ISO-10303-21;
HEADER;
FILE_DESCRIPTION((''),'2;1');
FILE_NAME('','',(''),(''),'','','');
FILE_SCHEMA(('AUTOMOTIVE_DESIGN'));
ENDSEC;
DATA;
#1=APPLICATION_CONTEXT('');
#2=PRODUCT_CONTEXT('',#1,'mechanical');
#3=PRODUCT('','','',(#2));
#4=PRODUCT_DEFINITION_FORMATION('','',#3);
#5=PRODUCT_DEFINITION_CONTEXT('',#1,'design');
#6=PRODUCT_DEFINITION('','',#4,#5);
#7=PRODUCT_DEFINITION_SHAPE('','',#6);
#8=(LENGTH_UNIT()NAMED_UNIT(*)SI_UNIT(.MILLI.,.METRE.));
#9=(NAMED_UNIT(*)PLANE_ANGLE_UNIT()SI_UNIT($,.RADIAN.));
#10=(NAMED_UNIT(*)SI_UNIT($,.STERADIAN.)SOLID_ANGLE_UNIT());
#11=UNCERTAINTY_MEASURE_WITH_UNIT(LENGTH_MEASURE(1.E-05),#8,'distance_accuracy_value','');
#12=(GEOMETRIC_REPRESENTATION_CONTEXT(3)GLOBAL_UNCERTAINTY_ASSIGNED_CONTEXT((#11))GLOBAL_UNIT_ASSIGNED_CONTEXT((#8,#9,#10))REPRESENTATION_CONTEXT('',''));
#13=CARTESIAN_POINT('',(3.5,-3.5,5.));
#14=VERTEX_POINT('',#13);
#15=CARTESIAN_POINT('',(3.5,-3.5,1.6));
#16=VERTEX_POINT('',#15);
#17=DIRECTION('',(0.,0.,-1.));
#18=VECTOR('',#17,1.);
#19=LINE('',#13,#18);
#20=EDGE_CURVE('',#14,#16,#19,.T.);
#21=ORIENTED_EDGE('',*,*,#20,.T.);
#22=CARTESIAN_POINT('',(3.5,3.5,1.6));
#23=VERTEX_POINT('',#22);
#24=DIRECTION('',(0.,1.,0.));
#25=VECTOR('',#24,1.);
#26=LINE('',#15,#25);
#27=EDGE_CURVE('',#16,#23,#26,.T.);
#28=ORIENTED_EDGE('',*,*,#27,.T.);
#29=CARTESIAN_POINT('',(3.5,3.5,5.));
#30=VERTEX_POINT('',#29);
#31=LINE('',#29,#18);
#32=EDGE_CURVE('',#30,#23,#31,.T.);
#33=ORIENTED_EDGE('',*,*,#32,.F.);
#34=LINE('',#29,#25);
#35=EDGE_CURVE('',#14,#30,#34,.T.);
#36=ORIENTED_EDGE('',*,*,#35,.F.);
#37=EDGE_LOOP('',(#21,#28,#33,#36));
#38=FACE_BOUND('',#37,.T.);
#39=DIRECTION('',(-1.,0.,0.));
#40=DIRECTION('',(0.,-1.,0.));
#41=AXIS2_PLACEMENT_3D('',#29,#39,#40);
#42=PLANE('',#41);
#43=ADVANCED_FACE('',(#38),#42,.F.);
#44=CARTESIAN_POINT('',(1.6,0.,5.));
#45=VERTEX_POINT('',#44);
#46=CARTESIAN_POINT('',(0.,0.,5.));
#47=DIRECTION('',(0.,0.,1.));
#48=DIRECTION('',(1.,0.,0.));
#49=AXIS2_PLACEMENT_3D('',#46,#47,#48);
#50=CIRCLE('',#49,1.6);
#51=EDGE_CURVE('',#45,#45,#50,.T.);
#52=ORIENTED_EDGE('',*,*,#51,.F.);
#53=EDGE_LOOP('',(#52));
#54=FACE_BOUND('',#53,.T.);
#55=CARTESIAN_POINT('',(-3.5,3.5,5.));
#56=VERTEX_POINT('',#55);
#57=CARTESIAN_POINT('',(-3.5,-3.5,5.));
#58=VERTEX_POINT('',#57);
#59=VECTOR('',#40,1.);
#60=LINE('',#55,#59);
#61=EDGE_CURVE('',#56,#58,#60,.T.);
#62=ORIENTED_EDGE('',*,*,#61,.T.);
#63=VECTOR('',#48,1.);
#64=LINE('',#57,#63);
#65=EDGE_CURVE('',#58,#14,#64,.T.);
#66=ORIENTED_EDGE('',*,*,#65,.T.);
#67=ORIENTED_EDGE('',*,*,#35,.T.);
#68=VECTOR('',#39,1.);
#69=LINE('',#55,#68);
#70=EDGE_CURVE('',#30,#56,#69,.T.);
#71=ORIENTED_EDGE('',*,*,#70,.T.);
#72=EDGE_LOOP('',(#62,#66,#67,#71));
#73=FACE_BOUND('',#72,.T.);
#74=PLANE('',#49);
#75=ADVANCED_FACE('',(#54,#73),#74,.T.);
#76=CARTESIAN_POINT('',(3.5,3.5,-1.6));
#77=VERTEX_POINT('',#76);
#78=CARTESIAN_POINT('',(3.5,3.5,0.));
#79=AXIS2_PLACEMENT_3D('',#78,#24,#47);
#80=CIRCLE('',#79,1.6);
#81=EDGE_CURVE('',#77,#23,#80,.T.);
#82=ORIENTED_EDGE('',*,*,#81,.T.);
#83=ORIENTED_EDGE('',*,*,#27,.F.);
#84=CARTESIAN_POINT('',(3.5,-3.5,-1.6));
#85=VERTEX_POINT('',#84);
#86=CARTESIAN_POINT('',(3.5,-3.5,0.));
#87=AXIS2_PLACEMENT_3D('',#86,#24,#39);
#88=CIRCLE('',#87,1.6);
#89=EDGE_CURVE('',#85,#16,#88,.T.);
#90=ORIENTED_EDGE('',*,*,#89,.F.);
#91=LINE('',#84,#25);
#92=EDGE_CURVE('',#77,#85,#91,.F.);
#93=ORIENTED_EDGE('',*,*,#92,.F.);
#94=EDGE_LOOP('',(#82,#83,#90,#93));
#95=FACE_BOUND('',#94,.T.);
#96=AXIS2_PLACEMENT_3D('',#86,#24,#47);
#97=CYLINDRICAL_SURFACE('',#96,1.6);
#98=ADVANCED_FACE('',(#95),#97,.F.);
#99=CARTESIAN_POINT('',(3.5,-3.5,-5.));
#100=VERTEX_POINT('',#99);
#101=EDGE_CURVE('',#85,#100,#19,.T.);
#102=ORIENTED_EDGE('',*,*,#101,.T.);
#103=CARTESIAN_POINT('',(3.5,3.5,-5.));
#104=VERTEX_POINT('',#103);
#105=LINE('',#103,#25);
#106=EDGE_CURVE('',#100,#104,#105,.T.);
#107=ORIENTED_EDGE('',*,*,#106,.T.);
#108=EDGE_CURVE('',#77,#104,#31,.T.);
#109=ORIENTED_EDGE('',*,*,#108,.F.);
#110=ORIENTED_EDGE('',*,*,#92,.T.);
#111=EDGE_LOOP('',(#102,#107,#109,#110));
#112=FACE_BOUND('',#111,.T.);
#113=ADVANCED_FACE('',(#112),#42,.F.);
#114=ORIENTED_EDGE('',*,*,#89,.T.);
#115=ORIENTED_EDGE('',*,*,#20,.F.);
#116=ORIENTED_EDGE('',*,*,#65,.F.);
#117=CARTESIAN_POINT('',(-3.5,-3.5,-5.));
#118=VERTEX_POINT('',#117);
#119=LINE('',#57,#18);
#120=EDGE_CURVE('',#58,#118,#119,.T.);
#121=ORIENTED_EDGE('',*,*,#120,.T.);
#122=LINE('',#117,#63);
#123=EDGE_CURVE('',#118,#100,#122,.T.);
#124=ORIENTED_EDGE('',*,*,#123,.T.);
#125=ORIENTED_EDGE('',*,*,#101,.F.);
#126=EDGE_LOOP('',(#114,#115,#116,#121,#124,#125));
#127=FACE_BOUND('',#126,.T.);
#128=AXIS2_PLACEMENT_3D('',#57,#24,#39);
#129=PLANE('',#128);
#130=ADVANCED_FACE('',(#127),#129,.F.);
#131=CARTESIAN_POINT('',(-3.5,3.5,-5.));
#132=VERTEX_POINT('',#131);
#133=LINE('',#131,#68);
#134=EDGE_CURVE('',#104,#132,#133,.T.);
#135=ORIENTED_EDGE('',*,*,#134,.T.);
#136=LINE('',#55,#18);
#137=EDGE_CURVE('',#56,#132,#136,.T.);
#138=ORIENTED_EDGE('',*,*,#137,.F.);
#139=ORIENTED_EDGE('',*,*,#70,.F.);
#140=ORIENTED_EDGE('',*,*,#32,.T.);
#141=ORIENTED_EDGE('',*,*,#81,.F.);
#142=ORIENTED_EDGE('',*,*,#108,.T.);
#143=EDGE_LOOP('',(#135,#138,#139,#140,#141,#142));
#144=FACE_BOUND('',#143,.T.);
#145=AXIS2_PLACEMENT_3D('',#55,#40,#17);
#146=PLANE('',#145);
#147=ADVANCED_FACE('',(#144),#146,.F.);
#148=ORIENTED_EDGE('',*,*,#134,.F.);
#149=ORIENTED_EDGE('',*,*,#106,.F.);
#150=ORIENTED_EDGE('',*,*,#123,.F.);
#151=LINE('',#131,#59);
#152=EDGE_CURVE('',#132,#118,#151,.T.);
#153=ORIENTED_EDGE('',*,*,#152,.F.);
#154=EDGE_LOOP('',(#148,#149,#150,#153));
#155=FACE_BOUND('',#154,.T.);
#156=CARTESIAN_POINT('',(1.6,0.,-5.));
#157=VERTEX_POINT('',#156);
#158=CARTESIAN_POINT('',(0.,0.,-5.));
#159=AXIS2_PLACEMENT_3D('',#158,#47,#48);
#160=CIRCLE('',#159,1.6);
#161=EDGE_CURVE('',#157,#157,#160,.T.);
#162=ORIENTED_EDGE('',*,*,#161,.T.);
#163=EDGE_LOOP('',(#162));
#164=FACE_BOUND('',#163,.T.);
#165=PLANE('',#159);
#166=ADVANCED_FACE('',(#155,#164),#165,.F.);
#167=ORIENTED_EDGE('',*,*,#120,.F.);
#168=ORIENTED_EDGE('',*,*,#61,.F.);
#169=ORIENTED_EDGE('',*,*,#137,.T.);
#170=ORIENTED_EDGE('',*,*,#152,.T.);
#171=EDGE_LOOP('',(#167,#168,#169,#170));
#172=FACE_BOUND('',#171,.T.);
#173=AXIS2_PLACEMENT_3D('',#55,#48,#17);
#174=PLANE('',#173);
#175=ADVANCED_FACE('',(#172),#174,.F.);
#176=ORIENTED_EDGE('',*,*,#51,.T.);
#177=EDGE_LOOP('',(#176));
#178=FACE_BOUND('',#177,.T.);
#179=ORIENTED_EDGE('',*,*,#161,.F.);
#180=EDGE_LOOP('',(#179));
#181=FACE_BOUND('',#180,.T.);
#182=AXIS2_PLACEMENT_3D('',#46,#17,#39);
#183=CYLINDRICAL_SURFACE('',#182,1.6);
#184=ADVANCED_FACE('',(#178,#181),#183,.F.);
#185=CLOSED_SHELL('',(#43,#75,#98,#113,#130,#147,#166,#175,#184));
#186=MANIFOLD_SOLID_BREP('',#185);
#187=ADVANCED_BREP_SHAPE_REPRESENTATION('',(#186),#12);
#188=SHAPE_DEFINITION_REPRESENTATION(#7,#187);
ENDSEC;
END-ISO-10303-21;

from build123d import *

# Parameters (mm, degrees)
SKETCH1_W           = 7
SKETCH1_H           = 7
SKETCH1_R           = 1.6
BOSS_EXTRUDE1_DEPTH = 5
SKETCH2_R           = 1.6
CUT_EXTRUDE1_DEPTH  = 10.287087811


with BuildPart() as part:
    # Sketch1 → Boss-Extrude1 (new, symmetric)
    with BuildSketch(Plane.XY):
        Rectangle(SKETCH1_W, SKETCH1_H)
        Circle(SKETCH1_R, mode=Mode.SUBTRACT)
    extrude(amount=BOSS_EXTRUDE1_DEPTH, both=True)

    # Sketch2 → Cut-Extrude1 (cut, through all)
    with BuildSketch(Plane(origin=(0, 3.5, 0), x_dir=(1, 0, 0), z_dir=(0, 1, 0))):
        with Locations((3.5, 0)):
            Circle(SKETCH2_R)
    extrude(amount=-CUT_EXTRUDE1_DEPTH, mode=Mode.SUBTRACT)


solid = part.part
